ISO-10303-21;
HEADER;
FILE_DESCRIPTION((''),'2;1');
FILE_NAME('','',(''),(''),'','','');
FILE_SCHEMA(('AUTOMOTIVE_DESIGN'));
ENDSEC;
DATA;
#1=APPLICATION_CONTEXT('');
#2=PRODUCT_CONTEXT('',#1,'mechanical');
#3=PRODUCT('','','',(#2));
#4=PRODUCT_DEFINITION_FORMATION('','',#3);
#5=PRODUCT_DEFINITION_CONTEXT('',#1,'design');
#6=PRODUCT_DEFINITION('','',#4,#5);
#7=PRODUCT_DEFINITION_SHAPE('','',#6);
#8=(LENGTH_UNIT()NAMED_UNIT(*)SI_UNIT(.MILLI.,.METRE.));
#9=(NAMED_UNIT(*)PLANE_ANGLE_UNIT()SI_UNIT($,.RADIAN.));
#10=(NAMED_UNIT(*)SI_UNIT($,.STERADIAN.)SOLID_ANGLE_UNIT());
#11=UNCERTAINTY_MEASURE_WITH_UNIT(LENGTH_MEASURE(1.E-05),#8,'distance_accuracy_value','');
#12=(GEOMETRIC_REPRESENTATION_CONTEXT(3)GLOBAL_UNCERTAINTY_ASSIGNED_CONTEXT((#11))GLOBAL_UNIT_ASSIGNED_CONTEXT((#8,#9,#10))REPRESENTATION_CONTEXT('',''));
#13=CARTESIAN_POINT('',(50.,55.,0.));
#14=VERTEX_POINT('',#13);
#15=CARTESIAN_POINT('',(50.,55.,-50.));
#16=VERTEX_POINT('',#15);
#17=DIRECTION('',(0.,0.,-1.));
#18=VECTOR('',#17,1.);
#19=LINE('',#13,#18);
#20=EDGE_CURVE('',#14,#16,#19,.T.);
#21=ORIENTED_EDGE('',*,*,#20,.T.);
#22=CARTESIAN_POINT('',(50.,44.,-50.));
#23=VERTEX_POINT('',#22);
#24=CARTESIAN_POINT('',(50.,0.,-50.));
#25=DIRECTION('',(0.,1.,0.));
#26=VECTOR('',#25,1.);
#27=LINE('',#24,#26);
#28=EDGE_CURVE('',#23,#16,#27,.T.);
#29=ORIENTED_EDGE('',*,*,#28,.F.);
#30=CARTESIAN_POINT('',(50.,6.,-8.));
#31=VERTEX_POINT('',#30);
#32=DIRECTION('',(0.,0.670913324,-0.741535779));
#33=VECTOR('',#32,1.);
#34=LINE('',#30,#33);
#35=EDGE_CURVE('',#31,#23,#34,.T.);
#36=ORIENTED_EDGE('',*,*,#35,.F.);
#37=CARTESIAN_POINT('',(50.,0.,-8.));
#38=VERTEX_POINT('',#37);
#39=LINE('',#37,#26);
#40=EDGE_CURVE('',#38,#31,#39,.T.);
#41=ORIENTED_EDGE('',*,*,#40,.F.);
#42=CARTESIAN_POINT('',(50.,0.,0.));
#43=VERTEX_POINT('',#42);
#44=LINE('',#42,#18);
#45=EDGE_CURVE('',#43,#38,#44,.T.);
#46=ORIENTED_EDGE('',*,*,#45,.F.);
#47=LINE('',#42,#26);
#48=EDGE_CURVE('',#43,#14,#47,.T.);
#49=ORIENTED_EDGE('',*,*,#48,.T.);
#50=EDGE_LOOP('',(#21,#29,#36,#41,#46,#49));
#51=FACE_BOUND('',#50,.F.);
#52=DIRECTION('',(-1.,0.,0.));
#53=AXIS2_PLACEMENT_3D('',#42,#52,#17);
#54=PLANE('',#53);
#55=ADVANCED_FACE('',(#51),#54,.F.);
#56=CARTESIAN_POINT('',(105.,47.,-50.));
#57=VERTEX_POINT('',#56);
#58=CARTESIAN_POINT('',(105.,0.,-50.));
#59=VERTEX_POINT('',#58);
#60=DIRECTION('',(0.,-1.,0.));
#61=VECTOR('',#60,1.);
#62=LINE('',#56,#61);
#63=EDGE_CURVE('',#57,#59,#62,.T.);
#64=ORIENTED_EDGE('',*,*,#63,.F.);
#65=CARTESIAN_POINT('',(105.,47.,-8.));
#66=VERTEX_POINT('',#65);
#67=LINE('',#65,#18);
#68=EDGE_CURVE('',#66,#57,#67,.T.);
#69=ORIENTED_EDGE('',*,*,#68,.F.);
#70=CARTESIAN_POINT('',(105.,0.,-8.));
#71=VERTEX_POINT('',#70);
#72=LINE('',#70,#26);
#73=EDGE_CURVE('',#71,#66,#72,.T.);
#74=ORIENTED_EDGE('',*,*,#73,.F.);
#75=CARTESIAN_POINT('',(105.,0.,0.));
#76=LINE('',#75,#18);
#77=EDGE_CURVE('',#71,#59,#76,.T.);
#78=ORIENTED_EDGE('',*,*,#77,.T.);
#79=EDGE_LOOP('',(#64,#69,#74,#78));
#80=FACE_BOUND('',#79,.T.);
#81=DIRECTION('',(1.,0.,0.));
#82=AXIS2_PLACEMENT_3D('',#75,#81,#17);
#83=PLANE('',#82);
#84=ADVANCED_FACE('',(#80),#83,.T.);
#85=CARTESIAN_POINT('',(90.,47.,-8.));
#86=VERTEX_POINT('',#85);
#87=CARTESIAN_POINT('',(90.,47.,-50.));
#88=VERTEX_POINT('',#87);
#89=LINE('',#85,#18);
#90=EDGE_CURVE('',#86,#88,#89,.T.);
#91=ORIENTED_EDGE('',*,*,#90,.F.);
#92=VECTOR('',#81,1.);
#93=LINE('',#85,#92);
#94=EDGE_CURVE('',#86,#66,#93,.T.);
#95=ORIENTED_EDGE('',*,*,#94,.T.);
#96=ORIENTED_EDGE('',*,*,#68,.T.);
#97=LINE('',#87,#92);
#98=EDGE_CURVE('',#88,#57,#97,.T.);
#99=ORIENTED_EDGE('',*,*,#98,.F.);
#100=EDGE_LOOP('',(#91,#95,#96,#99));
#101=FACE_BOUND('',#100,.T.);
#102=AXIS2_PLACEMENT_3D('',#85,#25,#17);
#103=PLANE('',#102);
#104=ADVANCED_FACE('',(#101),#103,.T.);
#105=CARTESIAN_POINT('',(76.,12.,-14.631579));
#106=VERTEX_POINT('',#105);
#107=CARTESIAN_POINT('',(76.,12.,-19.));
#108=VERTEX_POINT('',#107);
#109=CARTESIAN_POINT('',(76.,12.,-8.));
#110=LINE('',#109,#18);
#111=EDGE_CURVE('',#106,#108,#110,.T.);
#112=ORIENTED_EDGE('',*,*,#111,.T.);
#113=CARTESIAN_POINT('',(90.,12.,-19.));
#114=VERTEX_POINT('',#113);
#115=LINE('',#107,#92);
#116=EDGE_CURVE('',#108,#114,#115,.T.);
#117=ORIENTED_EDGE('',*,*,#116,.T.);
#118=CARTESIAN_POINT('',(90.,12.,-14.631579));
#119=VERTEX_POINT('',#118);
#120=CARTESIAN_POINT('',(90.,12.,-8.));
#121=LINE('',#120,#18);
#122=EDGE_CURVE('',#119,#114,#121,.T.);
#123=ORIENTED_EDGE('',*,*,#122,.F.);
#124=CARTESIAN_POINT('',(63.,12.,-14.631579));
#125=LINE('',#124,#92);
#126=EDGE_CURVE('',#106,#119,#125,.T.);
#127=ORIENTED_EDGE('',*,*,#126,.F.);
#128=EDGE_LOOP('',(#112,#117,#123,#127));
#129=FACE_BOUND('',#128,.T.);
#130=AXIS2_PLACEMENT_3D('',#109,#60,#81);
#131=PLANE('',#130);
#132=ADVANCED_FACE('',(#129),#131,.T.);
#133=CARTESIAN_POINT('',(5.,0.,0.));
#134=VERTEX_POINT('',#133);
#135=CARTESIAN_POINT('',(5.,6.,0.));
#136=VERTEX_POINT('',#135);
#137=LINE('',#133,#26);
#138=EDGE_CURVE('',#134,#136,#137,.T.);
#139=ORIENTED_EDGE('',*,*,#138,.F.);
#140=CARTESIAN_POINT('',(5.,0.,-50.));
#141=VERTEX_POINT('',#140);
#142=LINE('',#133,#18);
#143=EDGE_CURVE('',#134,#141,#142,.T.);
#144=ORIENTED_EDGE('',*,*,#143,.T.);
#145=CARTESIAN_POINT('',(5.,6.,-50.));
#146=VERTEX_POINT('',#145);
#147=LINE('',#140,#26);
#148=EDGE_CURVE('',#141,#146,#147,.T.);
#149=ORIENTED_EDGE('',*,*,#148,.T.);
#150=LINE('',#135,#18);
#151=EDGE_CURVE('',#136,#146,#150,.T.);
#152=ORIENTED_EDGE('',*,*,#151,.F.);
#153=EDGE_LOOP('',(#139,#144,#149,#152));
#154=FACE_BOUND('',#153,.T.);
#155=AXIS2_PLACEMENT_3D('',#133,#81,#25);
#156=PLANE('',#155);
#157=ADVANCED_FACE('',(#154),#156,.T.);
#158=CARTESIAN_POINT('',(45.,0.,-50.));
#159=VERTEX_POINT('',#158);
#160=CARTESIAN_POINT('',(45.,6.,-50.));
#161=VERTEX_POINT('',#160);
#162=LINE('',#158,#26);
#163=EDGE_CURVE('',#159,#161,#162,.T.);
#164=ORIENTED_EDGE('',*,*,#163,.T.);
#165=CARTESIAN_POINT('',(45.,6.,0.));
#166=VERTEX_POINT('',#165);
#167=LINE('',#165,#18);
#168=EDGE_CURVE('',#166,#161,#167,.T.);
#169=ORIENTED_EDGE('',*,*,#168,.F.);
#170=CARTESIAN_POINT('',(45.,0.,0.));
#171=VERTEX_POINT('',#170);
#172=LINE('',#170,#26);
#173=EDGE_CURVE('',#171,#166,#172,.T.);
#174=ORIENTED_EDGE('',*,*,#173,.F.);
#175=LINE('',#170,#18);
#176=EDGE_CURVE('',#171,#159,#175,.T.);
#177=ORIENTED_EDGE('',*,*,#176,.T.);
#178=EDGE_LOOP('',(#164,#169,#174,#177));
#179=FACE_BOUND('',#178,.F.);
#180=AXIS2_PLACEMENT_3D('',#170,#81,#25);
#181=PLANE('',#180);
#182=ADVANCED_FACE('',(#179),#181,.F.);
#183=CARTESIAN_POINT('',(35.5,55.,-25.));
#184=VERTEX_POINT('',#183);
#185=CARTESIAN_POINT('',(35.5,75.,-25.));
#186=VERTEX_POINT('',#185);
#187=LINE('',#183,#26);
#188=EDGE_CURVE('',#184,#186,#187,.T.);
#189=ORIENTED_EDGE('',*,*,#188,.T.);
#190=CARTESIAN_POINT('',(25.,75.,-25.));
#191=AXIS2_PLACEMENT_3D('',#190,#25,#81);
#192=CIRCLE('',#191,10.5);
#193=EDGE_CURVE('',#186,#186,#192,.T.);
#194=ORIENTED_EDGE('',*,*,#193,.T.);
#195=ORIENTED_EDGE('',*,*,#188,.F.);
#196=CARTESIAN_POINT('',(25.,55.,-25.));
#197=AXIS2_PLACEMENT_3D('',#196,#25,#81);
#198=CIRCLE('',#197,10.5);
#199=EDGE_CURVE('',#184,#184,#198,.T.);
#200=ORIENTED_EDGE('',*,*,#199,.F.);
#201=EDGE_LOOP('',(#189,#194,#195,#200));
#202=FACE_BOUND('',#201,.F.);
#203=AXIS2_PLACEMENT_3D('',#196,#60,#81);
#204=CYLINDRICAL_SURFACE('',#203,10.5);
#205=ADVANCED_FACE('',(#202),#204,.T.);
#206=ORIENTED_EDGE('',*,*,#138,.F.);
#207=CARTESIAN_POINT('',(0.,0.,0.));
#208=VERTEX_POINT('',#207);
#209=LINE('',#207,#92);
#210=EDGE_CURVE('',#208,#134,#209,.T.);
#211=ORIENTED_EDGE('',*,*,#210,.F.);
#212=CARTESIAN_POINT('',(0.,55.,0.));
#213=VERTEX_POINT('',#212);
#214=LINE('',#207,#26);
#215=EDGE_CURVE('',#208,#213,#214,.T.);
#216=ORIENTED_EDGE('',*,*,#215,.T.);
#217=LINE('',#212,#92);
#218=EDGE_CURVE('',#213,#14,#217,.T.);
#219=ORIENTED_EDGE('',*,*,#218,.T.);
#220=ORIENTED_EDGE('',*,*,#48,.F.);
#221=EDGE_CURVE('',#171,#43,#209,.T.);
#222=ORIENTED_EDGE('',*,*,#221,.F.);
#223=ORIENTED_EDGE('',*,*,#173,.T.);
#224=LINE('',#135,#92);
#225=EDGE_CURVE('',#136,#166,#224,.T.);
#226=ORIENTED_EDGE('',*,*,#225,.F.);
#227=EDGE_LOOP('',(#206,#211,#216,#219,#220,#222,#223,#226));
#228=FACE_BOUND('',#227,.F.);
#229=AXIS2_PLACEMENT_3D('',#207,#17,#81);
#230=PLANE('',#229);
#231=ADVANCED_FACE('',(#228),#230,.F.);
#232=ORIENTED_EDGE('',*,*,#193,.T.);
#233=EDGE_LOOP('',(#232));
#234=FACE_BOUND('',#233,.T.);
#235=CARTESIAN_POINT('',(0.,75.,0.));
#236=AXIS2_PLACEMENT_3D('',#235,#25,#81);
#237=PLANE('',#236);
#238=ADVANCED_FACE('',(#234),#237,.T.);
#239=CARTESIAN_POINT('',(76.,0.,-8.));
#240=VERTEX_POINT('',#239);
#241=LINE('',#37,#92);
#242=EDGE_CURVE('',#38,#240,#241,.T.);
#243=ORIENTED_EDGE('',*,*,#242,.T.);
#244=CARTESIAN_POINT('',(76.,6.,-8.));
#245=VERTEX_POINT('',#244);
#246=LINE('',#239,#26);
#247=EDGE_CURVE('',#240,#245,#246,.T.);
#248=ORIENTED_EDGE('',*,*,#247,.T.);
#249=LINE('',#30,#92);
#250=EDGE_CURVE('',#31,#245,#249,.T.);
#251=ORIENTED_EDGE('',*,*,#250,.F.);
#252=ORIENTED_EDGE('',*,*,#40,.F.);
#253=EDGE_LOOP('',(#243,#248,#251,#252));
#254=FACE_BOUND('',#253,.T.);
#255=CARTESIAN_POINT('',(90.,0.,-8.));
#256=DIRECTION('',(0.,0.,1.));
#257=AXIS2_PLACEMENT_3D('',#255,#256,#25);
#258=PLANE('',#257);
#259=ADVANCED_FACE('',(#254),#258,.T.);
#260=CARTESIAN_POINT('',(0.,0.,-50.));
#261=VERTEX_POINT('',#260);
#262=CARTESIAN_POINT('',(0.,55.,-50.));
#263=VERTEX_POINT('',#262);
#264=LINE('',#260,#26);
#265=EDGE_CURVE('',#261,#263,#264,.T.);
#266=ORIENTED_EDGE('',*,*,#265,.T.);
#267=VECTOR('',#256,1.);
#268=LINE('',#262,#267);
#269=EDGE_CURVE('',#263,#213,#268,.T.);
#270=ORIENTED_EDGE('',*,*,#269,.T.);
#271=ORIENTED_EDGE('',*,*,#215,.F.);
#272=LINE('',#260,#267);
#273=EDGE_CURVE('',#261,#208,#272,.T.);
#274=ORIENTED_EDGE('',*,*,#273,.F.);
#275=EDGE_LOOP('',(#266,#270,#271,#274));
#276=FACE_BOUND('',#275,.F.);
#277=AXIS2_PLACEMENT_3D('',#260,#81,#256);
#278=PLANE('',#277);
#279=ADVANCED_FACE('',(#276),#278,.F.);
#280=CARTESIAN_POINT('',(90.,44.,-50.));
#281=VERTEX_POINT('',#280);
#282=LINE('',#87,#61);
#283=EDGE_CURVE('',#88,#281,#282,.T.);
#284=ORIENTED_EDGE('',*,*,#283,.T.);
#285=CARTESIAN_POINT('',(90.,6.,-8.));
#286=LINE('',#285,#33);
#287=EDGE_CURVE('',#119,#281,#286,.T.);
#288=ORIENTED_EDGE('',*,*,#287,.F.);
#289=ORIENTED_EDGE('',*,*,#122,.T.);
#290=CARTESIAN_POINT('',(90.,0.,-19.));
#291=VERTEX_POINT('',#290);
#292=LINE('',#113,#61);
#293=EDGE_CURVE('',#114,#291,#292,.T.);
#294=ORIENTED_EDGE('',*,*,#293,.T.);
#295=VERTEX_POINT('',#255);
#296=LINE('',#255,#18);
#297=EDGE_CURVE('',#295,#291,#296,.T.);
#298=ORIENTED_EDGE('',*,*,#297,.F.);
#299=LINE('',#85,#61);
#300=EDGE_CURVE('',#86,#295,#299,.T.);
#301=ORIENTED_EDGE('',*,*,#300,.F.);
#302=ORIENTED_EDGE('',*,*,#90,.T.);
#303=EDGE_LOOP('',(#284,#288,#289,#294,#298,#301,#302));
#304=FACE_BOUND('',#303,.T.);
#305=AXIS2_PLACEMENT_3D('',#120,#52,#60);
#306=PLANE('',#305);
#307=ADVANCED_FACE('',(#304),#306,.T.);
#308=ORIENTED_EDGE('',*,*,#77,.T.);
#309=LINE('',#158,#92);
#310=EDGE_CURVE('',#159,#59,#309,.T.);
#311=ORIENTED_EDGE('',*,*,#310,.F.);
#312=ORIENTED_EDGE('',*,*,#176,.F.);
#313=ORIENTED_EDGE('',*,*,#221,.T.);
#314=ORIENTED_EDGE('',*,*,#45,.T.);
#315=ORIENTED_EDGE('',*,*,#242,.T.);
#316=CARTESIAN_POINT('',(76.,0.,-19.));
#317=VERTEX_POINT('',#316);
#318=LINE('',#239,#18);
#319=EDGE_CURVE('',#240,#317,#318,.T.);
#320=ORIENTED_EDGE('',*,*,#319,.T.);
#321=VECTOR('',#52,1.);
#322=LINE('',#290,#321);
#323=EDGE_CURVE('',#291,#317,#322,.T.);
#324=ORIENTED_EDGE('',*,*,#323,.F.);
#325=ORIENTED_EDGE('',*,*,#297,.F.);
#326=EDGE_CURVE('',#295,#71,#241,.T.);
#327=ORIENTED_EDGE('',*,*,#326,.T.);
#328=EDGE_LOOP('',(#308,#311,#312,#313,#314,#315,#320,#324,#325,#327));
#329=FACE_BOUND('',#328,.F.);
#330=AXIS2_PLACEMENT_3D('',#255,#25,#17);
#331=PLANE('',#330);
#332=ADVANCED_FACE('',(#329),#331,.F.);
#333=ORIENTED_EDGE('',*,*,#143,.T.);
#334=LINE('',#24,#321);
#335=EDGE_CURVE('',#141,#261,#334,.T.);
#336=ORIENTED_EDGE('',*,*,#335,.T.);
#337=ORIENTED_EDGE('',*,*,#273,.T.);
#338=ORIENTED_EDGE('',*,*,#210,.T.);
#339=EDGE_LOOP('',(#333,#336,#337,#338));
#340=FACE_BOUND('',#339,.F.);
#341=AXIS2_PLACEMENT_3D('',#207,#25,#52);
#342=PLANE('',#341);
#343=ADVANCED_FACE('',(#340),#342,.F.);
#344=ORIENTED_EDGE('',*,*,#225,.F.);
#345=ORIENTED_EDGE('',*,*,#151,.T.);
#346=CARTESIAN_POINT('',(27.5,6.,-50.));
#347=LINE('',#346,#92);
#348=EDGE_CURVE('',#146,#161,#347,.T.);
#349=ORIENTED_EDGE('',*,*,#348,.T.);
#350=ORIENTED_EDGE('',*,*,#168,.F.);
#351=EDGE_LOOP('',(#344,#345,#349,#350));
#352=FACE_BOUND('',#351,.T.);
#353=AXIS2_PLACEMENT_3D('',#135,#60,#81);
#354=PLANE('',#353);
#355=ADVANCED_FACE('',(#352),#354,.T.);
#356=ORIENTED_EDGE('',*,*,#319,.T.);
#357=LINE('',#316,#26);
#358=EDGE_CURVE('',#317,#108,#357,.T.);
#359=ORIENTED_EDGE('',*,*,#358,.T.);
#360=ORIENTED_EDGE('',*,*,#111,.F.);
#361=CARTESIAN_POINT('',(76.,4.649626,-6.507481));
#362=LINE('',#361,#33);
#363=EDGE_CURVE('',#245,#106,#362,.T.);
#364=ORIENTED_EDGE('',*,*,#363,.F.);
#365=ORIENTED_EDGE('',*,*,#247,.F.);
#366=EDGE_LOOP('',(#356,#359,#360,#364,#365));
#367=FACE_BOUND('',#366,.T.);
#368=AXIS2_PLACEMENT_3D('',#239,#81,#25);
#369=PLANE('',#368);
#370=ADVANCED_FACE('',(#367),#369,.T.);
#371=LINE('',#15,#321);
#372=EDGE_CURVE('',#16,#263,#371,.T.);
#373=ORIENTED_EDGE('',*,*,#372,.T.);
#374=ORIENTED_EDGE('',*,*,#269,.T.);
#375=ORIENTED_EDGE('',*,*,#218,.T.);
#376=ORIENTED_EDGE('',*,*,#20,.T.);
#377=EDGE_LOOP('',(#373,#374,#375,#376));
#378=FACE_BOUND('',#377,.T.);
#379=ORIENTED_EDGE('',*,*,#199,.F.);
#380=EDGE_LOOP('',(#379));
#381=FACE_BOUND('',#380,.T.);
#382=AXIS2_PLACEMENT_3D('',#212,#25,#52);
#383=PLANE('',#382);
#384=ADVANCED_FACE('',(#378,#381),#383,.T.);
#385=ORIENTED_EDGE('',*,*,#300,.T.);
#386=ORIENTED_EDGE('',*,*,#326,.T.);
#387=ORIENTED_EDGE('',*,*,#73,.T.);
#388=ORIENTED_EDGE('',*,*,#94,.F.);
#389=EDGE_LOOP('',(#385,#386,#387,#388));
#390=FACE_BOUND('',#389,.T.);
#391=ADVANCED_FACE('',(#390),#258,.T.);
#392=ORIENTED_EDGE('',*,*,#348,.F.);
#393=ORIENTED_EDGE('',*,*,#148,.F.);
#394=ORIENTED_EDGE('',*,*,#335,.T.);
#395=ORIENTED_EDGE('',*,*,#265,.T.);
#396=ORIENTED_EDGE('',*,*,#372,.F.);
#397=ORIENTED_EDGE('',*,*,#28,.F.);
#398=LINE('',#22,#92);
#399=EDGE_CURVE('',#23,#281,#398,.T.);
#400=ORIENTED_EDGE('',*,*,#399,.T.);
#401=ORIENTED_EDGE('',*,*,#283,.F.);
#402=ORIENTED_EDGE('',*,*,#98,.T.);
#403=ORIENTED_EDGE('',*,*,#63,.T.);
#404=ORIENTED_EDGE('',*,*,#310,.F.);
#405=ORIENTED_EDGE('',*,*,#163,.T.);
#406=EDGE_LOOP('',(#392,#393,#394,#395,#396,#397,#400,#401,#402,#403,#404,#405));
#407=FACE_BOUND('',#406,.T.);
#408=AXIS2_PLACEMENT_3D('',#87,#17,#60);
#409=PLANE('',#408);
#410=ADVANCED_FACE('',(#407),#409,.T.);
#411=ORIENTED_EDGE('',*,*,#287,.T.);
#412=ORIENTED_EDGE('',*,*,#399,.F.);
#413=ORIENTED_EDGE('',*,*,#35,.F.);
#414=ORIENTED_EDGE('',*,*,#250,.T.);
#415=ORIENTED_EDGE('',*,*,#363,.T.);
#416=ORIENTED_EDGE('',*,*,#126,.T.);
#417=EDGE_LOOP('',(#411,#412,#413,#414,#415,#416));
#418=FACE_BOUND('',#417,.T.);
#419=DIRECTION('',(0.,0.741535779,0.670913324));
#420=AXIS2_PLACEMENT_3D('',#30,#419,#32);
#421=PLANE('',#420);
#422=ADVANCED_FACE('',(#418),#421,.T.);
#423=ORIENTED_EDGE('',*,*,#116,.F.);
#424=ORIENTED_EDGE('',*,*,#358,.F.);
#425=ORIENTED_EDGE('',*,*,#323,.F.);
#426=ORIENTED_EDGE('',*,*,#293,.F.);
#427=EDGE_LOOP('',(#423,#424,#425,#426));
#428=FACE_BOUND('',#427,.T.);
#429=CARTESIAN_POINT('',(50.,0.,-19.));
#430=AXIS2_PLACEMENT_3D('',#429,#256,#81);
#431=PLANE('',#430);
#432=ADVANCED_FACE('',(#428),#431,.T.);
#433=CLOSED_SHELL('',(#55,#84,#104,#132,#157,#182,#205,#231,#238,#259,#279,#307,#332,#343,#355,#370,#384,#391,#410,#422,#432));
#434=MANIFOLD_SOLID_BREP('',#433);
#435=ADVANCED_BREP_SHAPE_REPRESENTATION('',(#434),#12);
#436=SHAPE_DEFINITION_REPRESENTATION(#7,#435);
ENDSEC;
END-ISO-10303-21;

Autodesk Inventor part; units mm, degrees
ref_plane "YZ Plane" through (0, 0, 0) normal (1, 0, 0) x (0, 1, 0)
ref_plane "XZ Plane" through (0, 0, 0) normal (0, 1, 0) x (-1, 0, 0)
ref_plane "XY Plane" through (0, 0, 0) normal (0, 0, 1) x (1, 0, 0)
sketch "Sketch1" plane through (0, 0, 0) normal (0, 1, 0) x (-1, 0, 0)
  line L0 (0, 0) -> (-50, 0)
  line L1 (-50, 0) -> (-50, -50)
  line L2 (-50, -50) -> (0, -50)
  line L3 (0, -50) -> (0, 0)
  dimension "d0" = 50
  dimension "d1" = 50
extrude "Extrusion1" add sketch "Sketch1" along normal blind 55
sketch "Sketch2" plane through (0, 0, 0) normal (0, 0, 1) x (1, 0, 0)
  line L0 (0, 0) -> (50, 0) projected
  line L1 (45, 0) -> (45, 6)
  line L2 (50, 0) -> (50, 55) projected
  line L3 (5, 0) -> (5, 6)
  line L4 (0, 0) -> (0, 55) projected
  line L5 (5, 6) -> (45, 6)
  line L6 (5, 0) -> (45, 0)
  dimension "d7" = 6
  dimension "d8" = 5
  dimension "d9" = 5
sketch "Sketch3" plane through (0, 0, 0) normal (0, 0, 1) x (1, 0, 0)
  point P0 (0, 0)
sketch "Sketch4" plane through (0, 55, 0) normal (0, 1, 0) x (1, 0, 0)
  circle A0 centre (25, 25) radius 10.5
  line L0 (0, 50) -> (0, 0) projected
  line L1 (0, 0) -> (50, 0) projected
  dimension "d10" = 21
  dimension "d11" = 25
  dimension "d12" = 25
extrude "Extrusion2" cut sketch "Sketch2" against normal blind 55
extrude "Extrusion3" add sketch "Sketch4" along normal blind 20
sketch "Sketch5" plane through (50, 0, 0) normal (1, 0, 0) x (0, 0, -1)
  line L0 (50, 0) -> (8, 0)
  line L1 (0, 0) -> (50, 0) projected
  line L2 (8, 0) -> (8, 6)
  line L3 (0, 55) -> (50, 55) projected
  line L4 (50, 0) -> (50, 55) projected
  line L5 (50, 0) -> (50, 44)
  line L6 (8, 6) -> (50, 44)
  dimension "d17" = 42
  dimension "d18" = 6
  dimension "d27" = 44
extrude "Extrusion4" add sketch "Sketch5" along normal blind 40
sketch "Sketch6" plane through (50, 0, -8) normal (0, 0, 1) x (1, 0, 0)
  point P0 (-50, 0)
sketch "Sketch7" plane through (50, 6, -8) normal (0, 0.6987, 0.7154) x (1, 0, 0)
  point P0 (-50, -9.8822)
sketch "Sketch8" plane through (50, 6, -8) normal (0, 0.6987, 0.7154) x (1, 0, 0)
  point P0 (-50, -9.8822)
sketch "Sketch9" plane through (90, 0, 0) normal (1, 0, 0) x (0, 0, -1)
  line L0 (0, 0) -> (50, 0) projected
  line L1 (50, 0) -> (8, 0)
  line L2 (8, 0) -> (8, 47)
  line L3 (8, 47) -> (50, 47)
  line L4 (50, 47) -> (50, 0)
  dimension "d22" = 42
  dimension "d23" = 47
extrude "Extrusion5" add sketch "Sketch9" along normal blind 15
sketch "Sketch10" plane through (50, 0, -8) normal (0, 0, 1) x (1, 0, 0)
  point P0 (-50, 0)
sketch "Sketch11" plane through (50, 0, -8) normal (0, 0, 1) x (1, 0, 0)
  line L0 (40, 0) -> (26, 0)
  line L1 (26, 0) -> (26, 12)
  line L2 (26, 12) -> (40, 12)
  line L3 (40, 12) -> (40, 0)
  point P0 (-50, 0)
  dimension "d28" = 14
  dimension "d29" = 12
extrude "Extrusion6" cut sketch "Sketch11" against normal blind 11
properties part number "400185627_VD"
